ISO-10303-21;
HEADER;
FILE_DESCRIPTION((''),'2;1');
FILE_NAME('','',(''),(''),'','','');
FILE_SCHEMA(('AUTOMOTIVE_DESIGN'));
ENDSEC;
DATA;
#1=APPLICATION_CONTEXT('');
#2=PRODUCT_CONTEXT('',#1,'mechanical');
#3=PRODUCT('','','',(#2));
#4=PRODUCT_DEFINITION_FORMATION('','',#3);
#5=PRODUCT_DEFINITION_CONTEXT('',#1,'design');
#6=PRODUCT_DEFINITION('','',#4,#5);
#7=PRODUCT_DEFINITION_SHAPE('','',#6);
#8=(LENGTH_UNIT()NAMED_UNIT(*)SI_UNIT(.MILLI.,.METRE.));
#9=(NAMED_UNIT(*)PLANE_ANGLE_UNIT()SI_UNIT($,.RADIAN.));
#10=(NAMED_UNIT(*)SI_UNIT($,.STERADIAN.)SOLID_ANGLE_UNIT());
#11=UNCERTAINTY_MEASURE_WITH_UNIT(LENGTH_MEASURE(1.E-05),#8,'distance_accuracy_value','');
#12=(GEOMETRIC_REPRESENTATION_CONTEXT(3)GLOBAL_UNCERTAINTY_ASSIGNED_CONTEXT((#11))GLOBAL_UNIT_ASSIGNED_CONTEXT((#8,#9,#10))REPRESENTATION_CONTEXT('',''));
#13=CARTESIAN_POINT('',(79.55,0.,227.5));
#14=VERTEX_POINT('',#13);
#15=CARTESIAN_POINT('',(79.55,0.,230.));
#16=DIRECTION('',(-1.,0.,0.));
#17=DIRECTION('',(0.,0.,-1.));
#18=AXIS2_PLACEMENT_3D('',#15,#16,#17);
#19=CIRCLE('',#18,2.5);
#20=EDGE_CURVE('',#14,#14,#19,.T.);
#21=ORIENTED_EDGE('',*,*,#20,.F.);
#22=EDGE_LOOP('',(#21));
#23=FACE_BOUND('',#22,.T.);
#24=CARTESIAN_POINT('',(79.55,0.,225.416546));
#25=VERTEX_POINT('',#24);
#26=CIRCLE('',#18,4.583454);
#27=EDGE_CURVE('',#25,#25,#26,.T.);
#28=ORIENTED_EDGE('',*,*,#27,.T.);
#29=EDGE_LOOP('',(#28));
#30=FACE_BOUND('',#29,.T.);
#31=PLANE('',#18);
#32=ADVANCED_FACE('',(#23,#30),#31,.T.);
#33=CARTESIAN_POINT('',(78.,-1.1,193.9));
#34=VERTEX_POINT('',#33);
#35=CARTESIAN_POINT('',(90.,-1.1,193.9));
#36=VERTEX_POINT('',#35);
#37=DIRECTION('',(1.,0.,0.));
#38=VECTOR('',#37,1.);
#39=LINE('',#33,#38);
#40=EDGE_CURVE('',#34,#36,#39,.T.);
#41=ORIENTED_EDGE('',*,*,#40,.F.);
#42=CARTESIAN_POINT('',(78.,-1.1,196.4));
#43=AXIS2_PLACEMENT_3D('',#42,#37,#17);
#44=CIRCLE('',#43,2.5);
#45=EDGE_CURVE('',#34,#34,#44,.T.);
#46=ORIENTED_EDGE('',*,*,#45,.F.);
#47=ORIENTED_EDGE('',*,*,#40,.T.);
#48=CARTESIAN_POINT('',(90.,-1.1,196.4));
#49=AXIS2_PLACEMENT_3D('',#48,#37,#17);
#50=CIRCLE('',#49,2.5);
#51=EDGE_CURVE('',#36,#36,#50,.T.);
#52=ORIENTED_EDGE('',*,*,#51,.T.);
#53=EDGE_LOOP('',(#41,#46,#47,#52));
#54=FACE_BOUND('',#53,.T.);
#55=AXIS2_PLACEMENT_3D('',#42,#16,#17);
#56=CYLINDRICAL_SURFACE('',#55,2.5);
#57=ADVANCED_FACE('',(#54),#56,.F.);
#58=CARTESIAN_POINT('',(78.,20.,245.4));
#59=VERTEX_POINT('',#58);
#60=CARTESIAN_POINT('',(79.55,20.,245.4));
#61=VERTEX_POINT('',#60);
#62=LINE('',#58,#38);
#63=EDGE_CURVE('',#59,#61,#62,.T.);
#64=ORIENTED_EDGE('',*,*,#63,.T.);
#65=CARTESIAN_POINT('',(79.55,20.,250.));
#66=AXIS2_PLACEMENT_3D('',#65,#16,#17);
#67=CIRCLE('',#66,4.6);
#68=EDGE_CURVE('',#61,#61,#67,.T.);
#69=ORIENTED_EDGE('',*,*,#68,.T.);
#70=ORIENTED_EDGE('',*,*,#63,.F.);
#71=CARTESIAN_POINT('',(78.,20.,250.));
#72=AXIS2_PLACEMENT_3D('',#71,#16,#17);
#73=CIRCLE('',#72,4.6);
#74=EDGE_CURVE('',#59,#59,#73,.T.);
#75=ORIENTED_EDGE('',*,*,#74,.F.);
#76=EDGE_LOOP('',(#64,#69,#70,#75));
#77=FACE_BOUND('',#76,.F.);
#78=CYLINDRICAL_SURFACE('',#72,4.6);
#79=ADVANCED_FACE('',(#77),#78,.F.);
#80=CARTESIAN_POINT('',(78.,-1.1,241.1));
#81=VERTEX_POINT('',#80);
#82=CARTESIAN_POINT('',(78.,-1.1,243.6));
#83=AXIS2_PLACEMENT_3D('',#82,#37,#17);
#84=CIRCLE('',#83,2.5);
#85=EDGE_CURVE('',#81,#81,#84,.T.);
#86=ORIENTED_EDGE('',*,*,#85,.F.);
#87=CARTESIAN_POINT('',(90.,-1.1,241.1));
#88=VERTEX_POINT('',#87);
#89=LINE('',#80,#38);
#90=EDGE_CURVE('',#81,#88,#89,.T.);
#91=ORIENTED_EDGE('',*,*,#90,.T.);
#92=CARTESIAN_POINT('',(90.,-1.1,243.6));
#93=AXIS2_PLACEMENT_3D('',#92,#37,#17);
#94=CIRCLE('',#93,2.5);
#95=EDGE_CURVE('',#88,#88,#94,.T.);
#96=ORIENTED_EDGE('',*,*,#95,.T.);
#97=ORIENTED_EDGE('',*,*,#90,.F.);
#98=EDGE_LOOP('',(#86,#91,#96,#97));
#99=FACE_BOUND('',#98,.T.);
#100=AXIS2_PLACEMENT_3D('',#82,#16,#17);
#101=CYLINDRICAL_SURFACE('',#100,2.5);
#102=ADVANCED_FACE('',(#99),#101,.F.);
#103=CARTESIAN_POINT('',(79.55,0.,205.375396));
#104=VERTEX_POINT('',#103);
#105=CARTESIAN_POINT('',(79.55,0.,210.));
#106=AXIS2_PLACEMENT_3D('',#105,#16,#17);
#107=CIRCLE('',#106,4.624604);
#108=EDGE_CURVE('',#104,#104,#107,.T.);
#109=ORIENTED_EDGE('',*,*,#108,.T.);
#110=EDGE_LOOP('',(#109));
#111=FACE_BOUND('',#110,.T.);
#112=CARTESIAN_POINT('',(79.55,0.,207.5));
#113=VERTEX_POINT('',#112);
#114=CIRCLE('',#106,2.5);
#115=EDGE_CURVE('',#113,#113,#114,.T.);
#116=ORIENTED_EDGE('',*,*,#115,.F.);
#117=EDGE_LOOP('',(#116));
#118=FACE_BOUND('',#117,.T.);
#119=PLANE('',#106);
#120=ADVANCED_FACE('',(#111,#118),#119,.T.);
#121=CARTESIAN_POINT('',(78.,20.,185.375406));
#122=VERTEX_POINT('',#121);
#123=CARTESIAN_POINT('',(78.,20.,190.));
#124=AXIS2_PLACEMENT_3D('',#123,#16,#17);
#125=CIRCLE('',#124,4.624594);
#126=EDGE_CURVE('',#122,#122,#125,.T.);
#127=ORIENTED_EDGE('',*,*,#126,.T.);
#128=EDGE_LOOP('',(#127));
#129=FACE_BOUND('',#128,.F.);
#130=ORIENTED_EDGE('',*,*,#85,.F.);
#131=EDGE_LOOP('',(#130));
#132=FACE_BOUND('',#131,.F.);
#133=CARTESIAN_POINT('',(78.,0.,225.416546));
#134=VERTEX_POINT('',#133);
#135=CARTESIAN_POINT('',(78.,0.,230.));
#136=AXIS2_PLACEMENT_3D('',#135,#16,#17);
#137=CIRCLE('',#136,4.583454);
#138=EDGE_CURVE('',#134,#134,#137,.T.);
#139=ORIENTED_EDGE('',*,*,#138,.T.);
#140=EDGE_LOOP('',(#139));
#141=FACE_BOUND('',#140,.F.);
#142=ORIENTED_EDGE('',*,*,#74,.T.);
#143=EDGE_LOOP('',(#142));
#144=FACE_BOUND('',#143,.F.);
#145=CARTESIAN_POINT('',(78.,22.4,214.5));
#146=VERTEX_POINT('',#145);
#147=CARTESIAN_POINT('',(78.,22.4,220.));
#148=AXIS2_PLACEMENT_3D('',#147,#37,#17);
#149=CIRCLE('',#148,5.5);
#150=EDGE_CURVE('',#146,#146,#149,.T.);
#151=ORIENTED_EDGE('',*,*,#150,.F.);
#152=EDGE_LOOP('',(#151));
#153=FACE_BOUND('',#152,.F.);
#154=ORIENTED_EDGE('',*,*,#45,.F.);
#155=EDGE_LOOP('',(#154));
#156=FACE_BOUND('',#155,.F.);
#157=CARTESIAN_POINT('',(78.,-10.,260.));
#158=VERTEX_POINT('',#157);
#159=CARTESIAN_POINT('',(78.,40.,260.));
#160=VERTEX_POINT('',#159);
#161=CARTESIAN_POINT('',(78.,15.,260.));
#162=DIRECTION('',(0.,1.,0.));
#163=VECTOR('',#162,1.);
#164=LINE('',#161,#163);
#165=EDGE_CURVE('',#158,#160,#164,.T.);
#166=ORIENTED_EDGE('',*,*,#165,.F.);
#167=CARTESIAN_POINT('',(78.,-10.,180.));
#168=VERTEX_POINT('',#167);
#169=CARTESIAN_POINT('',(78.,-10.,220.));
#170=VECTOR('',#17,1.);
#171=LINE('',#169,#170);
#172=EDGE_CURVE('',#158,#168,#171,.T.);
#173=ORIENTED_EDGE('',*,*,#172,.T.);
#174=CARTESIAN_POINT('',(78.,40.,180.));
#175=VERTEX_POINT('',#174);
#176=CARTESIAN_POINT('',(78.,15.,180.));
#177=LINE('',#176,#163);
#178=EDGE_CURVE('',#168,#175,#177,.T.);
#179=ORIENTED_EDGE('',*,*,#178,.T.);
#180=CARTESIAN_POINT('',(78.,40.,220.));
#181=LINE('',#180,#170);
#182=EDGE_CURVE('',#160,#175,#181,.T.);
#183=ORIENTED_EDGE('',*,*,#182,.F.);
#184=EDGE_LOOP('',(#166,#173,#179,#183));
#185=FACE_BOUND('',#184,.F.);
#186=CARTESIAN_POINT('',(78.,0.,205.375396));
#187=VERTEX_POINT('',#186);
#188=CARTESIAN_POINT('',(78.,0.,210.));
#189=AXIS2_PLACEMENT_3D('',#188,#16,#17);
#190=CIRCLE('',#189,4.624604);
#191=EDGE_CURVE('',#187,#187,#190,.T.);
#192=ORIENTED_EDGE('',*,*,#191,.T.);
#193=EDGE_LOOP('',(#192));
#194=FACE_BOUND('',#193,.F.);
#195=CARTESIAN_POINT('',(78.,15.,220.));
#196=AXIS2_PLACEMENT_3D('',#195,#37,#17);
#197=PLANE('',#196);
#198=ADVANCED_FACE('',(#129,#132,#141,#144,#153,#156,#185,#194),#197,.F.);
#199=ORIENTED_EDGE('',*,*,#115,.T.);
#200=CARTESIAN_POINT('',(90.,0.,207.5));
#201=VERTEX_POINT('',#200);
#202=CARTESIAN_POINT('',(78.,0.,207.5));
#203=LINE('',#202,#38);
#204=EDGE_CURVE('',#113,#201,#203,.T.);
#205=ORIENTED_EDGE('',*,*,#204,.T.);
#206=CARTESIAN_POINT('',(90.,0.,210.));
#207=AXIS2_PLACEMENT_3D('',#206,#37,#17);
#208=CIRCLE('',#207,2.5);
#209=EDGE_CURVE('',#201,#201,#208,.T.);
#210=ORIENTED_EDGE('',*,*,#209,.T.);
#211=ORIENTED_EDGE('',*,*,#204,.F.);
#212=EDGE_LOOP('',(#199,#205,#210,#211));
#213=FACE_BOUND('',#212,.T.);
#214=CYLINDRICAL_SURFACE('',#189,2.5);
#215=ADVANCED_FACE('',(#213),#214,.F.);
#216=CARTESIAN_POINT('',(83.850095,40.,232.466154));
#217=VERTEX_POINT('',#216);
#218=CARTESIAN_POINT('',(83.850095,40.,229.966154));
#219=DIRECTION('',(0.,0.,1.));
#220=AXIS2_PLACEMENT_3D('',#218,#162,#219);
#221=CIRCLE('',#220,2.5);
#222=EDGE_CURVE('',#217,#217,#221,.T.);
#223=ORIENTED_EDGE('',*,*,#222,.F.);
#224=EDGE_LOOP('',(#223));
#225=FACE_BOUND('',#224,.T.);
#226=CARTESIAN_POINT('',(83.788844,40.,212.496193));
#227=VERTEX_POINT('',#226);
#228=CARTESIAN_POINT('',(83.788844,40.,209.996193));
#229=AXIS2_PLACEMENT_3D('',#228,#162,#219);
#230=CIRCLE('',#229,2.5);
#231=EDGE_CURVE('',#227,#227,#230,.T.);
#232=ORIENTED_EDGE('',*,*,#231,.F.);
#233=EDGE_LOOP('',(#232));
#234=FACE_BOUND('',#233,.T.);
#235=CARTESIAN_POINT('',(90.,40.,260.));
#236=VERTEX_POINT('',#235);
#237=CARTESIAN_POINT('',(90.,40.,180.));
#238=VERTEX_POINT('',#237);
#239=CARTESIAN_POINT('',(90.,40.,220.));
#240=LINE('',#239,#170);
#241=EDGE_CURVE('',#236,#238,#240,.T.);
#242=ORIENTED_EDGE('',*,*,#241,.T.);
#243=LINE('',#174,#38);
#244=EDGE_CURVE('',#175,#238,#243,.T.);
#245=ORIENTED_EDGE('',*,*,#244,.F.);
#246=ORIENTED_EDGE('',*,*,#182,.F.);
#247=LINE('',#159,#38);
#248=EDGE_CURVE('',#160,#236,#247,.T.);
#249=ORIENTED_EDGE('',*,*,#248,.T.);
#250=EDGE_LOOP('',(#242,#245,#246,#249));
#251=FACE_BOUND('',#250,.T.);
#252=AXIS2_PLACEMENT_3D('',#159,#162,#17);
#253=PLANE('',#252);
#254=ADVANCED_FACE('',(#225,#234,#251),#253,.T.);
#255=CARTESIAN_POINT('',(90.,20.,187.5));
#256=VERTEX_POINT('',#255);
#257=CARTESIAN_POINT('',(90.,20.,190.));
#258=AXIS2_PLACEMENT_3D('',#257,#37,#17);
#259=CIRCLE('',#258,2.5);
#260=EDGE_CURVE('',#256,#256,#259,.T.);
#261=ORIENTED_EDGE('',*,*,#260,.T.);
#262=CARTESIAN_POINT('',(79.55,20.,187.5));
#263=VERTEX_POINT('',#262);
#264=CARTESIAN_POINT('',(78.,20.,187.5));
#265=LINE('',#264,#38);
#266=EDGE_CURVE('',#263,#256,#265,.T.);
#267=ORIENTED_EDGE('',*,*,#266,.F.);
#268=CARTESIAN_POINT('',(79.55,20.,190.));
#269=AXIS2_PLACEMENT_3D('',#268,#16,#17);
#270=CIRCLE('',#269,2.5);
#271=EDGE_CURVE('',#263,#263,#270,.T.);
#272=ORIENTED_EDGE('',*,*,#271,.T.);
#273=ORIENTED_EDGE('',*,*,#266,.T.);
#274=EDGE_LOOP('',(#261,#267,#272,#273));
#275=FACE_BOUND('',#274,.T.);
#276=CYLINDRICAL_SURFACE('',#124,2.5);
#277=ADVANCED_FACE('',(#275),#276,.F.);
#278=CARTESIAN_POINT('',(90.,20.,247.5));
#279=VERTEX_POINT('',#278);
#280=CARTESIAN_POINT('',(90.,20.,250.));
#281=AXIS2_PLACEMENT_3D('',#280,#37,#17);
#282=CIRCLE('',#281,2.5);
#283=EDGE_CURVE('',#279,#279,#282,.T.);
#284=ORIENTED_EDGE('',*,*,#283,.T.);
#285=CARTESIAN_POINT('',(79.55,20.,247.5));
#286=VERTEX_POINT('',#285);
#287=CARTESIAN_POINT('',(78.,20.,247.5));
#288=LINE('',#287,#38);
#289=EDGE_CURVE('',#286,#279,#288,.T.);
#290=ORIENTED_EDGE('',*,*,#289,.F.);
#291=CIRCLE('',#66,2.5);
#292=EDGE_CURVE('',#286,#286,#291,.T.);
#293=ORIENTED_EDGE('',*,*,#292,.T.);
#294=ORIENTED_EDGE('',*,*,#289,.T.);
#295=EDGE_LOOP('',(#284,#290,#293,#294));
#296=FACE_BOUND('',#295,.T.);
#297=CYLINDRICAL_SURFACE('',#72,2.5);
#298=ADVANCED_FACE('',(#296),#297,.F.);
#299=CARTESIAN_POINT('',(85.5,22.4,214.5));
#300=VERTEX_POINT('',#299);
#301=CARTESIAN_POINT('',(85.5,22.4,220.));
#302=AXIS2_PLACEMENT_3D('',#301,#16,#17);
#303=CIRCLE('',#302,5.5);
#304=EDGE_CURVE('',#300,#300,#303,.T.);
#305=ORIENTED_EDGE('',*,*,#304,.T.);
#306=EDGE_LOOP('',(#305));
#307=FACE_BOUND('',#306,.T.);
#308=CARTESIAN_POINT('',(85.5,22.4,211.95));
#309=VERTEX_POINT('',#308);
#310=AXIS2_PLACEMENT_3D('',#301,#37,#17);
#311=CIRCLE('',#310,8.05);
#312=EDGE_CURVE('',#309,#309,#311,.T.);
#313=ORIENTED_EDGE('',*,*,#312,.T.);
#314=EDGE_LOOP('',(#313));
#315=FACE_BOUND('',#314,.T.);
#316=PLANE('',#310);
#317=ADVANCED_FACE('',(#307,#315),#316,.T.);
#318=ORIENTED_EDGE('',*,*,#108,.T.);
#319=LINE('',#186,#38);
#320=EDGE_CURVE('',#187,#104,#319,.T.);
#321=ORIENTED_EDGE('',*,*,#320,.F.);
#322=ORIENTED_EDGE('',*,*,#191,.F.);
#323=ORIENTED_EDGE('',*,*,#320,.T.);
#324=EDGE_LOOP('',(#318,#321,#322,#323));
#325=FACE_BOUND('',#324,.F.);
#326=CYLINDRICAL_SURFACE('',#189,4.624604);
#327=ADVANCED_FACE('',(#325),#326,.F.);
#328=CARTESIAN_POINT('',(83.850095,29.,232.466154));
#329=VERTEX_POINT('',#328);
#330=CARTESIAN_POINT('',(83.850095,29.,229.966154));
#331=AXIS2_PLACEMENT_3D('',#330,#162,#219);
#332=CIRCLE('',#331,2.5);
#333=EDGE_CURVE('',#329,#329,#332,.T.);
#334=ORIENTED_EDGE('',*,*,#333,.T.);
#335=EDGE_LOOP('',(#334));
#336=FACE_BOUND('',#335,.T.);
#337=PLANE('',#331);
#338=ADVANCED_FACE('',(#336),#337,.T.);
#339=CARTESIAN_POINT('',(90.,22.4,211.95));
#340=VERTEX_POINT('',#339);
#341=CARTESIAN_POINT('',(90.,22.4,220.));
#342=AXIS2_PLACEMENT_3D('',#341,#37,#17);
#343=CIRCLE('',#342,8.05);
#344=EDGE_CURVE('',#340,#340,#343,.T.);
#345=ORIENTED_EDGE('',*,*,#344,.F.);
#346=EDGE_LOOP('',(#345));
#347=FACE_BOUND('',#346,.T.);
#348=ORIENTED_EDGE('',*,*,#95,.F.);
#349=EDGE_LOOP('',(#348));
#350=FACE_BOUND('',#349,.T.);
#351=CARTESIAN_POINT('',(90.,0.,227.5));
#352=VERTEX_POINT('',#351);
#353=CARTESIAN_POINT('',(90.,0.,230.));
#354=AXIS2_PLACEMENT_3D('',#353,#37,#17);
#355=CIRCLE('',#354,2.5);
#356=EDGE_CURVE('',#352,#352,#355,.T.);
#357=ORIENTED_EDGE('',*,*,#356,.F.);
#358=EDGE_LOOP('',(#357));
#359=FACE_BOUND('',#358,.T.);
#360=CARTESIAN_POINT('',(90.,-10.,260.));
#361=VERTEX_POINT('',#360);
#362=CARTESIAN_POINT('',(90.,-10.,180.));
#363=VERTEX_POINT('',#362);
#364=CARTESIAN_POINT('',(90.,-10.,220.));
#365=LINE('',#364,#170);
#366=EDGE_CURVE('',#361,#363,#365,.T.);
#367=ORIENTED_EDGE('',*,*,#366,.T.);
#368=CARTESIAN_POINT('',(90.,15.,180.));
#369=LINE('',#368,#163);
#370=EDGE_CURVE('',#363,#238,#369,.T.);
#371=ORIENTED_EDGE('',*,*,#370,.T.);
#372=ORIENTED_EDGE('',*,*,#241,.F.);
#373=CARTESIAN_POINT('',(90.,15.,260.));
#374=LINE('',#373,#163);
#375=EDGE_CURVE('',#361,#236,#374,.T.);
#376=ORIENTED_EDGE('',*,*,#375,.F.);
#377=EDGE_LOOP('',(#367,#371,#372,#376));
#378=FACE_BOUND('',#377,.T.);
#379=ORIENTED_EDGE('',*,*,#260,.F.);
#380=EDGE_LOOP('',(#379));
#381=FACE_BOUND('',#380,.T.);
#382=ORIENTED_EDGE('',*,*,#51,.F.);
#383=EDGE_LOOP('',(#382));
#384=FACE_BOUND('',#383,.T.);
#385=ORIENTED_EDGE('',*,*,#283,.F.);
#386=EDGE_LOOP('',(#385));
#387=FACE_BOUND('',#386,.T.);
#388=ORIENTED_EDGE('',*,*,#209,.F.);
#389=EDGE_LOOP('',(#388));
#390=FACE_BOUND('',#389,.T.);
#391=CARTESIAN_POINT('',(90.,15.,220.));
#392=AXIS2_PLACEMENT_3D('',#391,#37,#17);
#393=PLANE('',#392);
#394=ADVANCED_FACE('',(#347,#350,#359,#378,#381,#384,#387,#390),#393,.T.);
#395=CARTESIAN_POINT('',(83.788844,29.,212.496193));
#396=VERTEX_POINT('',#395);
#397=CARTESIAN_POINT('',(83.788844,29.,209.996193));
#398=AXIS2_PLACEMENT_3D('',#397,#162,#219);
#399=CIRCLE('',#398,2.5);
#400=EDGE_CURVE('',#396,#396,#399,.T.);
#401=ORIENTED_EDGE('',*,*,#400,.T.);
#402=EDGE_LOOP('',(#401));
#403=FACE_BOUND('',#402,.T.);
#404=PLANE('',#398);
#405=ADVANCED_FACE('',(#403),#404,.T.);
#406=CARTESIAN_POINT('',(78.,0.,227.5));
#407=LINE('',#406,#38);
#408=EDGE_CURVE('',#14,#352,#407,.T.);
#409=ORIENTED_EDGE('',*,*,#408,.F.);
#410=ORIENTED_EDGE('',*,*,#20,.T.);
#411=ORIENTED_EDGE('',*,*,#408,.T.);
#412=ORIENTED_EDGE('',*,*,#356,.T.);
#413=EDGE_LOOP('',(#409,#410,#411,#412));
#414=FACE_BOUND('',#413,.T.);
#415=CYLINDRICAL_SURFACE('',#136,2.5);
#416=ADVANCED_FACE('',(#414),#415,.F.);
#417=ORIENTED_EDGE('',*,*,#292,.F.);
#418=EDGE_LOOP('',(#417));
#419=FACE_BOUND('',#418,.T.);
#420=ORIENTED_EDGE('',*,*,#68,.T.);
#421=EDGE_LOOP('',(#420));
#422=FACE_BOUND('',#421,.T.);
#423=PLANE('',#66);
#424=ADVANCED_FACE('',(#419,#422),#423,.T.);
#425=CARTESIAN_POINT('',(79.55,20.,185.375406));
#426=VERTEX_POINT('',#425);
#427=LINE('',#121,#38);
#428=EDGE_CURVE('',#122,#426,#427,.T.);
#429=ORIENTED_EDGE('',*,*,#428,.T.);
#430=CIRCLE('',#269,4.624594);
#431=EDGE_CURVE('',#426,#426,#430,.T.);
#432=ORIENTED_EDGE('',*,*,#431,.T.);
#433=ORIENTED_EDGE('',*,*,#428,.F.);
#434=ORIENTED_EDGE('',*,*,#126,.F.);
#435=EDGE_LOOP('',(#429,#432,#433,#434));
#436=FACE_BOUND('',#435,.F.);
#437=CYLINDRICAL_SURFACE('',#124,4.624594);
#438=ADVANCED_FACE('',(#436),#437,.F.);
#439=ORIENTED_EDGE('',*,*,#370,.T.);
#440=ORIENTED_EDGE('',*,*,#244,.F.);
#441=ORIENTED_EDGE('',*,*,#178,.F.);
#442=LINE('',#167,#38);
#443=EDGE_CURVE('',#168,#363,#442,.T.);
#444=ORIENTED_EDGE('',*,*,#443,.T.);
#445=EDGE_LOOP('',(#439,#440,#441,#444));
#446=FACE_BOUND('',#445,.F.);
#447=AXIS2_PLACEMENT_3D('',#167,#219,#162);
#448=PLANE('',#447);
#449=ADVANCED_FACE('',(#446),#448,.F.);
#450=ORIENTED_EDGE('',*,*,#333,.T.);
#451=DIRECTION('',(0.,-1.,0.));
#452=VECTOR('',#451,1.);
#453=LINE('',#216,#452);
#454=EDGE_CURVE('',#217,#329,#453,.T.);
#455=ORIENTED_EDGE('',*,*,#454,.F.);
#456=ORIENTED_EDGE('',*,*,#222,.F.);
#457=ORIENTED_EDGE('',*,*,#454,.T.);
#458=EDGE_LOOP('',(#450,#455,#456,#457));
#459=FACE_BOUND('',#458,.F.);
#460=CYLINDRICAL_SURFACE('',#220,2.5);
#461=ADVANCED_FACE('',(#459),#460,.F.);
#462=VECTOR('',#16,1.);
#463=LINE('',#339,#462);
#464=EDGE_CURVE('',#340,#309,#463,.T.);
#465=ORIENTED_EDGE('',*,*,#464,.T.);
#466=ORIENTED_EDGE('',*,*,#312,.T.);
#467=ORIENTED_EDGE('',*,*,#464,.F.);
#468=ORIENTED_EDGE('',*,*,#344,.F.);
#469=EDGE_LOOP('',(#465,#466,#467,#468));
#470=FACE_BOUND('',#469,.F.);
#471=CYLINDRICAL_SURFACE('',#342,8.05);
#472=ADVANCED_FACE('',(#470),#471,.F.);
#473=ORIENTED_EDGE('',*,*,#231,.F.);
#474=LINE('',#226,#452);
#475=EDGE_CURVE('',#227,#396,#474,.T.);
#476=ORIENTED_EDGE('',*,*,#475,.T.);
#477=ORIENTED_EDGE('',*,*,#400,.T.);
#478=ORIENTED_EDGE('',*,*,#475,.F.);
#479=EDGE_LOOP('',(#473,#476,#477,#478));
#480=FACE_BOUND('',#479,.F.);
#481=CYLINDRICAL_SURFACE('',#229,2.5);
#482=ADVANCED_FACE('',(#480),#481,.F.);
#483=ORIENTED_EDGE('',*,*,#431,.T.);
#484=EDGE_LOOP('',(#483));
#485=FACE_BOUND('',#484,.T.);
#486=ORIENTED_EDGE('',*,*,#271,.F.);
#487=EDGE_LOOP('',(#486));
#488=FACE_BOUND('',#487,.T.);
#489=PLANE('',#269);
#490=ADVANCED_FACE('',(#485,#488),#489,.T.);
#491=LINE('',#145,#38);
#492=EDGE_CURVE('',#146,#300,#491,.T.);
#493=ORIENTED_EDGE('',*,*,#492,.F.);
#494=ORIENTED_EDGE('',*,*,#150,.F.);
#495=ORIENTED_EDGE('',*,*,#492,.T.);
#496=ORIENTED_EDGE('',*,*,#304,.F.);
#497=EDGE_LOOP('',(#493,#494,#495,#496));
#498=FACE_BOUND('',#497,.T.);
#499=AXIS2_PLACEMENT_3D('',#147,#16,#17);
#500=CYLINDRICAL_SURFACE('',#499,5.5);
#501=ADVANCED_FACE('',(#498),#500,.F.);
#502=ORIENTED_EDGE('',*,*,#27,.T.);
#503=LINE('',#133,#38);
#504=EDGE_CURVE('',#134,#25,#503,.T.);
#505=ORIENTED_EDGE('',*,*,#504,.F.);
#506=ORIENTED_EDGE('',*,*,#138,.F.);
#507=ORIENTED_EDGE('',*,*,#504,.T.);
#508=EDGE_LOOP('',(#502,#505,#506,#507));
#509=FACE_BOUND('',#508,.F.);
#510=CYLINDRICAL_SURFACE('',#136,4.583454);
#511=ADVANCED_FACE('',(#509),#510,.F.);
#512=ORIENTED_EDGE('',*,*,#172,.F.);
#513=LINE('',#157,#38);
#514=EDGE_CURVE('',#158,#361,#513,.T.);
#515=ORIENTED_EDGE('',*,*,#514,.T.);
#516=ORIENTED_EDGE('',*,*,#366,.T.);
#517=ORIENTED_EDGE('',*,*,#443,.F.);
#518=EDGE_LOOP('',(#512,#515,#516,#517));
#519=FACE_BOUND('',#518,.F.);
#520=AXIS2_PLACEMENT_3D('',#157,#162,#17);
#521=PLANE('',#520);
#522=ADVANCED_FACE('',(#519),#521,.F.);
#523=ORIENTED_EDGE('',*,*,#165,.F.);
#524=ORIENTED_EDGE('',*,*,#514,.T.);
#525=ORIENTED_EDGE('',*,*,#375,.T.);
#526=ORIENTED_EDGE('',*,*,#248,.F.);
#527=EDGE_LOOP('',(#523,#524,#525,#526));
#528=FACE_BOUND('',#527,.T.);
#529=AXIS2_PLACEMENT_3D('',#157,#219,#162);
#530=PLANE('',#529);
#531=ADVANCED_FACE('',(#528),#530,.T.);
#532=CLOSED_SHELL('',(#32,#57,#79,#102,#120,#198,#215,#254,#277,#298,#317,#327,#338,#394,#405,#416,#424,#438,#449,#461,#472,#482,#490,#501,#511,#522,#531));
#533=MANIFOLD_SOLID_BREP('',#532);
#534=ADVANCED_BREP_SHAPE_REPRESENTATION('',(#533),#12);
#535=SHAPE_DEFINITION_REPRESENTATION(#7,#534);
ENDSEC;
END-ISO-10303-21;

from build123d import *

# Parameters (mm, degrees)
SKETCH115_W     = 80
SKETCH115_H     = 50
SKETCH115_R     = 2.5
SKETCH115_R_2   = 5.5
PAD037_DEPTH    = 12
SKETCH116_R     = 2.5
POCKET074_DEPTH = 11
SKETCH117_R     = 8.05
POCKET075_DEPTH = 4.5
SKETCH118_R     = 4.6
SKETCH118_R_2   = 4.624594
SKETCH118_R_3   = 4.583454
SKETCH118_R_4   = 4.624604
POCKET076_DEPTH = 1.55


with BuildPart() as part:
    # Sketch115 → Pad037 (new body)
    with BuildSketch(Plane(origin=(78, -10, 260), x_dir=(0, 0, -1), z_dir=(1, 0, 0))):
        with Locations((40, 25)):
            Rectangle(SKETCH115_W, SKETCH115_H)
        with Locations((10, 30)):
            Circle(SKETCH115_R, mode=Mode.SUBTRACT)
        with Locations((30, 10)):
            Circle(SKETCH115_R, mode=Mode.SUBTRACT)
        with Locations((16.4, 8.9)):
            Circle(SKETCH115_R, mode=Mode.SUBTRACT)
        with Locations((50, 10)):
            Circle(SKETCH115_R, mode=Mode.SUBTRACT)
        with Locations((63.6, 8.9)):
            Circle(SKETCH115_R, mode=Mode.SUBTRACT)
        with Locations((70, 30)):
            Circle(SKETCH115_R, mode=Mode.SUBTRACT)
        with Locations((40, 32.4)):
            Circle(SKETCH115_R_2, mode=Mode.SUBTRACT)
    extrude(amount=PAD037_DEPTH)

    # Sketch116 → Pocket074 (cut)
    with BuildSketch(Plane(origin=(78, 40, 260), x_dir=(0, 0, 1), z_dir=(0, 1, 0))):
        with Locations((-30.033846, 5.850095)):
            Circle(SKETCH116_R)
        with Locations((-50.003807, 5.788844)):
            Circle(SKETCH116_R)
    extrude(amount=-POCKET074_DEPTH, mode=Mode.SUBTRACT)

    # Sketch117 → Pocket075 (cut)
    with BuildSketch(Plane(origin=(90, -10, 260), x_dir=(0, 0, -1), z_dir=(1, 0, 0))):
        with Locations((40, 32.4)):
            Circle(SKETCH117_R)
    extrude(amount=-POCKET075_DEPTH, mode=Mode.SUBTRACT)

    # Sketch118 → Pocket076 (cut)
    with BuildSketch(Plane(origin=(78, -10, 260), x_dir=(0, 0, -1), z_dir=(-1, 0, 0))):
        with Locations((10, -30)):
            Circle(SKETCH118_R)
        with Locations((70, -30)):
            Circle(SKETCH118_R_2)
        with Locations((30, -10)):
            Circle(SKETCH118_R_3)
        with Locations((50, -10)):
            Circle(SKETCH118_R_4)
    extrude(amount=-POCKET076_DEPTH, mode=Mode.SUBTRACT)


solid = part.part
